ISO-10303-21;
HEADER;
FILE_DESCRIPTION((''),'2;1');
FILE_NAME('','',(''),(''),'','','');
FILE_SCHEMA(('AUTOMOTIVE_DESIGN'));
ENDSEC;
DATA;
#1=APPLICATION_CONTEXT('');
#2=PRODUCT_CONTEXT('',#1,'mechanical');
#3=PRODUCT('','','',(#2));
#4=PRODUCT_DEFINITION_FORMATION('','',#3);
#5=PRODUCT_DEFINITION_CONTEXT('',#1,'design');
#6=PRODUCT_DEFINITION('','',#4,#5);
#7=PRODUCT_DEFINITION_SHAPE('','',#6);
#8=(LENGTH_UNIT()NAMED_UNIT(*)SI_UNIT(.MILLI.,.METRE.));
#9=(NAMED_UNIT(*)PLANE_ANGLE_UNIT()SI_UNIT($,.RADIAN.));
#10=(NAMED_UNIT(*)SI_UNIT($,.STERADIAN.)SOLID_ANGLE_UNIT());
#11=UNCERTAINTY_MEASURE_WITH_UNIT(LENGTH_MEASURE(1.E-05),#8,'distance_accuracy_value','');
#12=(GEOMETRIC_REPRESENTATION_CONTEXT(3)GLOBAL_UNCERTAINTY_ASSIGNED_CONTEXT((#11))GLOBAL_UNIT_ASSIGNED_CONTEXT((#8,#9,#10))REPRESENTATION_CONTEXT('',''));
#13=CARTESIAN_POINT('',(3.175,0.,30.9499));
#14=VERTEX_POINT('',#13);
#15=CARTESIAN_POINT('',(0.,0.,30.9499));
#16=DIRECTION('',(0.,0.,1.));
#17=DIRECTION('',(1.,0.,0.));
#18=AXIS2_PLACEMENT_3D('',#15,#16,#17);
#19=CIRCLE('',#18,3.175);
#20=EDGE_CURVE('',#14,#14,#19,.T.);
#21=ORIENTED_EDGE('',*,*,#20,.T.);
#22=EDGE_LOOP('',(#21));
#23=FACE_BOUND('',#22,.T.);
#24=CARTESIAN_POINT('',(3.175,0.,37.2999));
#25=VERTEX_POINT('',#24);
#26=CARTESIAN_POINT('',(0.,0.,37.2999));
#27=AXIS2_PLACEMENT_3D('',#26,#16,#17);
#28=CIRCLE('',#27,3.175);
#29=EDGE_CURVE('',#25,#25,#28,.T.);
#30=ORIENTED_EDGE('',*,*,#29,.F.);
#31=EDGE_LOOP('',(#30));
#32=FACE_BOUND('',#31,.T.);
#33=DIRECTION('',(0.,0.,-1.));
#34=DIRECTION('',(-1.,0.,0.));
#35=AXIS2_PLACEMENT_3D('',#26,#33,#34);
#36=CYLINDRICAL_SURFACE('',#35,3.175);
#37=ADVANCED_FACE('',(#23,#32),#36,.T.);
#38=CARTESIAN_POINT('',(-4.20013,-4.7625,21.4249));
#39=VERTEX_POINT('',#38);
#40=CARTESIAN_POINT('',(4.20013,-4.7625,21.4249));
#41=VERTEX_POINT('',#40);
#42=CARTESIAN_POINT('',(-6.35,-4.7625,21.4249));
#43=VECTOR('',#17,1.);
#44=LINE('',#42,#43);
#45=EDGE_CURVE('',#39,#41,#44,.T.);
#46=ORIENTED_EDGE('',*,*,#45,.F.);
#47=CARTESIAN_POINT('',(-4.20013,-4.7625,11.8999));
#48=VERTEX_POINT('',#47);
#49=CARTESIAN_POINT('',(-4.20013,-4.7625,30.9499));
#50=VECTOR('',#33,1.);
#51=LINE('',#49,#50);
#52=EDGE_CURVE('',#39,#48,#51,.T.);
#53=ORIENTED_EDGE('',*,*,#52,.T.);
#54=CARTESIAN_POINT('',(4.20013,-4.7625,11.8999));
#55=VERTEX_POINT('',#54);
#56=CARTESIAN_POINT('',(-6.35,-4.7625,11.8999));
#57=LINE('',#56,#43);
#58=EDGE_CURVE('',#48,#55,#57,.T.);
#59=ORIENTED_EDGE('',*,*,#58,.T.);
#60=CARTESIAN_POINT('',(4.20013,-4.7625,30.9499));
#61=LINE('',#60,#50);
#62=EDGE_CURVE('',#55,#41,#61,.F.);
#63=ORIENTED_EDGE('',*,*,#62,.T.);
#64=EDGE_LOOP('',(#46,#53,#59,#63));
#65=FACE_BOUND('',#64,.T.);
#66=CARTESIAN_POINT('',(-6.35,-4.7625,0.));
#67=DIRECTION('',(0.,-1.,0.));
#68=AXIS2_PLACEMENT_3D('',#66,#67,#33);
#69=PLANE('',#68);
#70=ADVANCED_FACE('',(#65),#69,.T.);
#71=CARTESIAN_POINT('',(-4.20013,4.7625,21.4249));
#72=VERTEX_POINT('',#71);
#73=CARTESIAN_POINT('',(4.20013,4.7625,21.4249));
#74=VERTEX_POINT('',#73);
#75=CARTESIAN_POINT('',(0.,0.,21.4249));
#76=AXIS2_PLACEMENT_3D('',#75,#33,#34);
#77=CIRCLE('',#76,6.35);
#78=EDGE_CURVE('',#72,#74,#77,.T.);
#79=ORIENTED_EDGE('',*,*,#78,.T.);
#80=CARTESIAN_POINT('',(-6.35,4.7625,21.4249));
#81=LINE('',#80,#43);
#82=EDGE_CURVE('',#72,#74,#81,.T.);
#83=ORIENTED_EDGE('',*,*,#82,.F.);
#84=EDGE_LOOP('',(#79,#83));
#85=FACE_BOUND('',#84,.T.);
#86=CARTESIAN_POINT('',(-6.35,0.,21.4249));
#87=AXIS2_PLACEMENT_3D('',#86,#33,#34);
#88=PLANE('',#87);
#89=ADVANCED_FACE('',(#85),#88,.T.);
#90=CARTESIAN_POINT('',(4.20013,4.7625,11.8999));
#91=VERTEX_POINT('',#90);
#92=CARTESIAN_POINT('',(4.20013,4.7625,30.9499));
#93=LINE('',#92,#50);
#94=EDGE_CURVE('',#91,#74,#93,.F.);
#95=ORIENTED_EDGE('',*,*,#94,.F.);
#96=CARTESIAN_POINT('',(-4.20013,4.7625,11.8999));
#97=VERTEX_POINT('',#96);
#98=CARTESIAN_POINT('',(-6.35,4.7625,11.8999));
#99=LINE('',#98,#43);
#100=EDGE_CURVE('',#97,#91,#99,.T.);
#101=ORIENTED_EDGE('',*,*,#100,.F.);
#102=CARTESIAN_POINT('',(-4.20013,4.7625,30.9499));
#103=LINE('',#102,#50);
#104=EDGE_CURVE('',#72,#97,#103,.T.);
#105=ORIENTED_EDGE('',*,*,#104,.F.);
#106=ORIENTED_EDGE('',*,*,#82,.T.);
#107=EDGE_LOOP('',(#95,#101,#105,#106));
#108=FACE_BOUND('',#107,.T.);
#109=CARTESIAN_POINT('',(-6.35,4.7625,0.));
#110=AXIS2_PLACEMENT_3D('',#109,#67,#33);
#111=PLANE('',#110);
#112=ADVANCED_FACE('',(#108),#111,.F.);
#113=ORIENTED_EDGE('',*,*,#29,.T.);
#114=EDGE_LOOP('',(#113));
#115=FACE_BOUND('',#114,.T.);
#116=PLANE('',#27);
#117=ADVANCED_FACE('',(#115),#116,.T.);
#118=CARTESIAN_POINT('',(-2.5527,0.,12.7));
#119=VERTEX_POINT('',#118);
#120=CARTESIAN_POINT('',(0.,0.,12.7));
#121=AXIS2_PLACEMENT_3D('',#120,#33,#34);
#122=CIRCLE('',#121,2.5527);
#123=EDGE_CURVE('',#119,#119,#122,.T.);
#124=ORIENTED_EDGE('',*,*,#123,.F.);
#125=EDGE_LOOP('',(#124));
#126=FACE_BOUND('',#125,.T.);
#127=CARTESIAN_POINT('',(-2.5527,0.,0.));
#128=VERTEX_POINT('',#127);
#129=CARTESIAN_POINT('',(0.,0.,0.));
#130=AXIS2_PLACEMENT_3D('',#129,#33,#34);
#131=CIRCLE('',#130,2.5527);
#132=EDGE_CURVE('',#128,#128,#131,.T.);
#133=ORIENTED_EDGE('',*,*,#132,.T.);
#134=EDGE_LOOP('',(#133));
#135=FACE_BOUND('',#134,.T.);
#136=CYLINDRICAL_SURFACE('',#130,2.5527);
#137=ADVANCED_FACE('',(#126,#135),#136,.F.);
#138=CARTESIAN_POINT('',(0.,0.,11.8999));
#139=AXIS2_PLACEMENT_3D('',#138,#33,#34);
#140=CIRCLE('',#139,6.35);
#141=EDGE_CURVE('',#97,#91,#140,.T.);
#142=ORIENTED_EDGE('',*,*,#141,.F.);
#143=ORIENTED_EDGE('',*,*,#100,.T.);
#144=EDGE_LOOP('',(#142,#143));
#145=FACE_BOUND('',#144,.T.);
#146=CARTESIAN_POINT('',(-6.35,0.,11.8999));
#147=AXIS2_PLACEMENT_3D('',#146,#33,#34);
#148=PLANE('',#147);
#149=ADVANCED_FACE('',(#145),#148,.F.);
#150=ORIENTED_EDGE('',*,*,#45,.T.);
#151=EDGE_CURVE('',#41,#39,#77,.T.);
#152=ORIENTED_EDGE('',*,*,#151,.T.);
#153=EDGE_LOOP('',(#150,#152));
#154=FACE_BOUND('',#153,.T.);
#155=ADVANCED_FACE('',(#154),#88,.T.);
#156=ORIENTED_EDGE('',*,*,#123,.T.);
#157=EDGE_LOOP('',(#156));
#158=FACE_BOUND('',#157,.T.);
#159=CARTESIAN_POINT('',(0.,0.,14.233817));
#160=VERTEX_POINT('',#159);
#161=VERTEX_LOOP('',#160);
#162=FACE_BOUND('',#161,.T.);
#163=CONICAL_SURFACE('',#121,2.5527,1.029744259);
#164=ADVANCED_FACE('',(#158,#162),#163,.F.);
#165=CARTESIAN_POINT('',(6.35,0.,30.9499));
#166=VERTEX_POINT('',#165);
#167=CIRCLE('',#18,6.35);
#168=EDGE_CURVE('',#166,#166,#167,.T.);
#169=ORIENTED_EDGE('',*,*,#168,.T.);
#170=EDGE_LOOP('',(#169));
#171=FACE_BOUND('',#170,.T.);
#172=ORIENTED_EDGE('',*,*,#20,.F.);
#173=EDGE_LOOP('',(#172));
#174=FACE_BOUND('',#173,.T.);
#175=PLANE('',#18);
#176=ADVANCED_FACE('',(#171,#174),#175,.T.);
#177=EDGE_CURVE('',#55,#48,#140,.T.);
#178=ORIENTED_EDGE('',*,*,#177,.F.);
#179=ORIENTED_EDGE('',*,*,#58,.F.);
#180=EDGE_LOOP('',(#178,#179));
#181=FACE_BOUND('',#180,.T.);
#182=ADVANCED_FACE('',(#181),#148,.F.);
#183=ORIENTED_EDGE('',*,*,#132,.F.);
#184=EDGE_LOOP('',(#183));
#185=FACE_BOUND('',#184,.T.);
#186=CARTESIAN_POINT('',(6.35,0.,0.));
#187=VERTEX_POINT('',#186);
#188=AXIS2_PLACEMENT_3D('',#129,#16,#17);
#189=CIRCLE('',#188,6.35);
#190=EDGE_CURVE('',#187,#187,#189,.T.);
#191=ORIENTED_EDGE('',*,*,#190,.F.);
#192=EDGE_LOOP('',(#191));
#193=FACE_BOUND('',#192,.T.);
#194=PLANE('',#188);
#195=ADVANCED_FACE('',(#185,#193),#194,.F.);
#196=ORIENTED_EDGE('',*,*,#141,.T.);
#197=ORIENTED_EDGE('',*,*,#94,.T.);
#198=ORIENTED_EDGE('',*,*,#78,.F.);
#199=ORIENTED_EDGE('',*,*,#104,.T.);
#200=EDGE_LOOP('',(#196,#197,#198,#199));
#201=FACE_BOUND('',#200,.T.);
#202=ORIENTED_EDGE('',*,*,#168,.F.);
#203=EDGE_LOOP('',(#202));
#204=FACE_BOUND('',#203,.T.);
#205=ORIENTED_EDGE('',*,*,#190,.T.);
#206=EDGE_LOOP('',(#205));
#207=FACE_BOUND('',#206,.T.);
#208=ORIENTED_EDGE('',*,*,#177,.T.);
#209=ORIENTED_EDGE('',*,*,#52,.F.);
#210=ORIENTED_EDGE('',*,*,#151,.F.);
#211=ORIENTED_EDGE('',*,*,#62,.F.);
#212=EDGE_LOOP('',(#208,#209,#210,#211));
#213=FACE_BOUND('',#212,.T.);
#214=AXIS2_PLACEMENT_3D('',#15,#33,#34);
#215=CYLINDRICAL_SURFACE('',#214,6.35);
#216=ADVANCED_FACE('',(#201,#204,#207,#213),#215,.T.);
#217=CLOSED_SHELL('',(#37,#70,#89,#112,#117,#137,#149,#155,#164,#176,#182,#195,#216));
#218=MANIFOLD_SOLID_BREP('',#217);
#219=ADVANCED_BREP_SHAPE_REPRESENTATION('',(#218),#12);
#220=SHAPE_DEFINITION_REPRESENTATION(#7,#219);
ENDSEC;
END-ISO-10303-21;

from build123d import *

# Parameters (mm, degrees)
SKETCH2_R                       = 6.35
BOSS_EXTRUDE1_DEPTH             = 30.9499
TAP_DRILL_FOR_1_4_20_TAP1_D     = 5.1054
TAP_DRILL_FOR_1_4_20_TAP1_DEPTH = 12.7
TAP_DRILL_FOR_1_4_20_TAP1_TIP   = 1.533816902
SKETCH6_R                       = 3.175
BOSS_EXTRUDE2_DEPTH             = 6.35
CUT_EXTRUDE1_DEPTH              = 39.365707865
CUT_EXTRUDE1_DEPTH_BACK         = 39.365707865
SKETCH7_W                       = 1.5875
SKETCH7_H                       = 9.525


with BuildPart() as part:
    # Sketch2 → Boss-Extrude1 (new body)
    with BuildSketch(Plane(origin=(0, 0, 0), x_dir=(0, 1, 0), z_dir=(0, 0, 1))):
        with Locations(Location((0, 0, 0), (0, 0, 270))):
            Circle(SKETCH2_R)
    extrude(amount=BOSS_EXTRUDE1_DEPTH)

    # Tap Drill for 1/4-20 Tap1
    with Locations(Plane(origin=(0, 0, 0), x_dir=(-1, 0, 0), z_dir=(0, 0, -1))):
        with Locations((0, 0)):
            Hole(TAP_DRILL_FOR_1_4_20_TAP1_D / 2, depth=TAP_DRILL_FOR_1_4_20_TAP1_DEPTH)
            with Locations((0, 0, -(TAP_DRILL_FOR_1_4_20_TAP1_DEPTH + TAP_DRILL_FOR_1_4_20_TAP1_TIP / 2))):  # 118° drill point
                Cone(0, TAP_DRILL_FOR_1_4_20_TAP1_D / 2, TAP_DRILL_FOR_1_4_20_TAP1_TIP, mode=Mode.SUBTRACT)

    # Sketch6 → Boss-Extrude2 (add)
    with BuildSketch(Plane.XY.offset(30.9499)):
        Circle(SKETCH6_R)
    extrude(amount=BOSS_EXTRUDE2_DEPTH)

    # Sketch7 → Cut-Extrude1 (cut, two sides: drawn at the far end of the back side and taken through both)
    with BuildSketch(Plane.YZ.offset(-CUT_EXTRUDE1_DEPTH_BACK)):
        with Locations((-5.55625, 16.6624)):
            Rectangle(SKETCH7_W, SKETCH7_H)
        with Locations((5.55625, 16.6624)):
            Rectangle(SKETCH7_W, SKETCH7_H)
    extrude(amount=CUT_EXTRUDE1_DEPTH + CUT_EXTRUDE1_DEPTH_BACK, mode=Mode.SUBTRACT)


solid = part.part
